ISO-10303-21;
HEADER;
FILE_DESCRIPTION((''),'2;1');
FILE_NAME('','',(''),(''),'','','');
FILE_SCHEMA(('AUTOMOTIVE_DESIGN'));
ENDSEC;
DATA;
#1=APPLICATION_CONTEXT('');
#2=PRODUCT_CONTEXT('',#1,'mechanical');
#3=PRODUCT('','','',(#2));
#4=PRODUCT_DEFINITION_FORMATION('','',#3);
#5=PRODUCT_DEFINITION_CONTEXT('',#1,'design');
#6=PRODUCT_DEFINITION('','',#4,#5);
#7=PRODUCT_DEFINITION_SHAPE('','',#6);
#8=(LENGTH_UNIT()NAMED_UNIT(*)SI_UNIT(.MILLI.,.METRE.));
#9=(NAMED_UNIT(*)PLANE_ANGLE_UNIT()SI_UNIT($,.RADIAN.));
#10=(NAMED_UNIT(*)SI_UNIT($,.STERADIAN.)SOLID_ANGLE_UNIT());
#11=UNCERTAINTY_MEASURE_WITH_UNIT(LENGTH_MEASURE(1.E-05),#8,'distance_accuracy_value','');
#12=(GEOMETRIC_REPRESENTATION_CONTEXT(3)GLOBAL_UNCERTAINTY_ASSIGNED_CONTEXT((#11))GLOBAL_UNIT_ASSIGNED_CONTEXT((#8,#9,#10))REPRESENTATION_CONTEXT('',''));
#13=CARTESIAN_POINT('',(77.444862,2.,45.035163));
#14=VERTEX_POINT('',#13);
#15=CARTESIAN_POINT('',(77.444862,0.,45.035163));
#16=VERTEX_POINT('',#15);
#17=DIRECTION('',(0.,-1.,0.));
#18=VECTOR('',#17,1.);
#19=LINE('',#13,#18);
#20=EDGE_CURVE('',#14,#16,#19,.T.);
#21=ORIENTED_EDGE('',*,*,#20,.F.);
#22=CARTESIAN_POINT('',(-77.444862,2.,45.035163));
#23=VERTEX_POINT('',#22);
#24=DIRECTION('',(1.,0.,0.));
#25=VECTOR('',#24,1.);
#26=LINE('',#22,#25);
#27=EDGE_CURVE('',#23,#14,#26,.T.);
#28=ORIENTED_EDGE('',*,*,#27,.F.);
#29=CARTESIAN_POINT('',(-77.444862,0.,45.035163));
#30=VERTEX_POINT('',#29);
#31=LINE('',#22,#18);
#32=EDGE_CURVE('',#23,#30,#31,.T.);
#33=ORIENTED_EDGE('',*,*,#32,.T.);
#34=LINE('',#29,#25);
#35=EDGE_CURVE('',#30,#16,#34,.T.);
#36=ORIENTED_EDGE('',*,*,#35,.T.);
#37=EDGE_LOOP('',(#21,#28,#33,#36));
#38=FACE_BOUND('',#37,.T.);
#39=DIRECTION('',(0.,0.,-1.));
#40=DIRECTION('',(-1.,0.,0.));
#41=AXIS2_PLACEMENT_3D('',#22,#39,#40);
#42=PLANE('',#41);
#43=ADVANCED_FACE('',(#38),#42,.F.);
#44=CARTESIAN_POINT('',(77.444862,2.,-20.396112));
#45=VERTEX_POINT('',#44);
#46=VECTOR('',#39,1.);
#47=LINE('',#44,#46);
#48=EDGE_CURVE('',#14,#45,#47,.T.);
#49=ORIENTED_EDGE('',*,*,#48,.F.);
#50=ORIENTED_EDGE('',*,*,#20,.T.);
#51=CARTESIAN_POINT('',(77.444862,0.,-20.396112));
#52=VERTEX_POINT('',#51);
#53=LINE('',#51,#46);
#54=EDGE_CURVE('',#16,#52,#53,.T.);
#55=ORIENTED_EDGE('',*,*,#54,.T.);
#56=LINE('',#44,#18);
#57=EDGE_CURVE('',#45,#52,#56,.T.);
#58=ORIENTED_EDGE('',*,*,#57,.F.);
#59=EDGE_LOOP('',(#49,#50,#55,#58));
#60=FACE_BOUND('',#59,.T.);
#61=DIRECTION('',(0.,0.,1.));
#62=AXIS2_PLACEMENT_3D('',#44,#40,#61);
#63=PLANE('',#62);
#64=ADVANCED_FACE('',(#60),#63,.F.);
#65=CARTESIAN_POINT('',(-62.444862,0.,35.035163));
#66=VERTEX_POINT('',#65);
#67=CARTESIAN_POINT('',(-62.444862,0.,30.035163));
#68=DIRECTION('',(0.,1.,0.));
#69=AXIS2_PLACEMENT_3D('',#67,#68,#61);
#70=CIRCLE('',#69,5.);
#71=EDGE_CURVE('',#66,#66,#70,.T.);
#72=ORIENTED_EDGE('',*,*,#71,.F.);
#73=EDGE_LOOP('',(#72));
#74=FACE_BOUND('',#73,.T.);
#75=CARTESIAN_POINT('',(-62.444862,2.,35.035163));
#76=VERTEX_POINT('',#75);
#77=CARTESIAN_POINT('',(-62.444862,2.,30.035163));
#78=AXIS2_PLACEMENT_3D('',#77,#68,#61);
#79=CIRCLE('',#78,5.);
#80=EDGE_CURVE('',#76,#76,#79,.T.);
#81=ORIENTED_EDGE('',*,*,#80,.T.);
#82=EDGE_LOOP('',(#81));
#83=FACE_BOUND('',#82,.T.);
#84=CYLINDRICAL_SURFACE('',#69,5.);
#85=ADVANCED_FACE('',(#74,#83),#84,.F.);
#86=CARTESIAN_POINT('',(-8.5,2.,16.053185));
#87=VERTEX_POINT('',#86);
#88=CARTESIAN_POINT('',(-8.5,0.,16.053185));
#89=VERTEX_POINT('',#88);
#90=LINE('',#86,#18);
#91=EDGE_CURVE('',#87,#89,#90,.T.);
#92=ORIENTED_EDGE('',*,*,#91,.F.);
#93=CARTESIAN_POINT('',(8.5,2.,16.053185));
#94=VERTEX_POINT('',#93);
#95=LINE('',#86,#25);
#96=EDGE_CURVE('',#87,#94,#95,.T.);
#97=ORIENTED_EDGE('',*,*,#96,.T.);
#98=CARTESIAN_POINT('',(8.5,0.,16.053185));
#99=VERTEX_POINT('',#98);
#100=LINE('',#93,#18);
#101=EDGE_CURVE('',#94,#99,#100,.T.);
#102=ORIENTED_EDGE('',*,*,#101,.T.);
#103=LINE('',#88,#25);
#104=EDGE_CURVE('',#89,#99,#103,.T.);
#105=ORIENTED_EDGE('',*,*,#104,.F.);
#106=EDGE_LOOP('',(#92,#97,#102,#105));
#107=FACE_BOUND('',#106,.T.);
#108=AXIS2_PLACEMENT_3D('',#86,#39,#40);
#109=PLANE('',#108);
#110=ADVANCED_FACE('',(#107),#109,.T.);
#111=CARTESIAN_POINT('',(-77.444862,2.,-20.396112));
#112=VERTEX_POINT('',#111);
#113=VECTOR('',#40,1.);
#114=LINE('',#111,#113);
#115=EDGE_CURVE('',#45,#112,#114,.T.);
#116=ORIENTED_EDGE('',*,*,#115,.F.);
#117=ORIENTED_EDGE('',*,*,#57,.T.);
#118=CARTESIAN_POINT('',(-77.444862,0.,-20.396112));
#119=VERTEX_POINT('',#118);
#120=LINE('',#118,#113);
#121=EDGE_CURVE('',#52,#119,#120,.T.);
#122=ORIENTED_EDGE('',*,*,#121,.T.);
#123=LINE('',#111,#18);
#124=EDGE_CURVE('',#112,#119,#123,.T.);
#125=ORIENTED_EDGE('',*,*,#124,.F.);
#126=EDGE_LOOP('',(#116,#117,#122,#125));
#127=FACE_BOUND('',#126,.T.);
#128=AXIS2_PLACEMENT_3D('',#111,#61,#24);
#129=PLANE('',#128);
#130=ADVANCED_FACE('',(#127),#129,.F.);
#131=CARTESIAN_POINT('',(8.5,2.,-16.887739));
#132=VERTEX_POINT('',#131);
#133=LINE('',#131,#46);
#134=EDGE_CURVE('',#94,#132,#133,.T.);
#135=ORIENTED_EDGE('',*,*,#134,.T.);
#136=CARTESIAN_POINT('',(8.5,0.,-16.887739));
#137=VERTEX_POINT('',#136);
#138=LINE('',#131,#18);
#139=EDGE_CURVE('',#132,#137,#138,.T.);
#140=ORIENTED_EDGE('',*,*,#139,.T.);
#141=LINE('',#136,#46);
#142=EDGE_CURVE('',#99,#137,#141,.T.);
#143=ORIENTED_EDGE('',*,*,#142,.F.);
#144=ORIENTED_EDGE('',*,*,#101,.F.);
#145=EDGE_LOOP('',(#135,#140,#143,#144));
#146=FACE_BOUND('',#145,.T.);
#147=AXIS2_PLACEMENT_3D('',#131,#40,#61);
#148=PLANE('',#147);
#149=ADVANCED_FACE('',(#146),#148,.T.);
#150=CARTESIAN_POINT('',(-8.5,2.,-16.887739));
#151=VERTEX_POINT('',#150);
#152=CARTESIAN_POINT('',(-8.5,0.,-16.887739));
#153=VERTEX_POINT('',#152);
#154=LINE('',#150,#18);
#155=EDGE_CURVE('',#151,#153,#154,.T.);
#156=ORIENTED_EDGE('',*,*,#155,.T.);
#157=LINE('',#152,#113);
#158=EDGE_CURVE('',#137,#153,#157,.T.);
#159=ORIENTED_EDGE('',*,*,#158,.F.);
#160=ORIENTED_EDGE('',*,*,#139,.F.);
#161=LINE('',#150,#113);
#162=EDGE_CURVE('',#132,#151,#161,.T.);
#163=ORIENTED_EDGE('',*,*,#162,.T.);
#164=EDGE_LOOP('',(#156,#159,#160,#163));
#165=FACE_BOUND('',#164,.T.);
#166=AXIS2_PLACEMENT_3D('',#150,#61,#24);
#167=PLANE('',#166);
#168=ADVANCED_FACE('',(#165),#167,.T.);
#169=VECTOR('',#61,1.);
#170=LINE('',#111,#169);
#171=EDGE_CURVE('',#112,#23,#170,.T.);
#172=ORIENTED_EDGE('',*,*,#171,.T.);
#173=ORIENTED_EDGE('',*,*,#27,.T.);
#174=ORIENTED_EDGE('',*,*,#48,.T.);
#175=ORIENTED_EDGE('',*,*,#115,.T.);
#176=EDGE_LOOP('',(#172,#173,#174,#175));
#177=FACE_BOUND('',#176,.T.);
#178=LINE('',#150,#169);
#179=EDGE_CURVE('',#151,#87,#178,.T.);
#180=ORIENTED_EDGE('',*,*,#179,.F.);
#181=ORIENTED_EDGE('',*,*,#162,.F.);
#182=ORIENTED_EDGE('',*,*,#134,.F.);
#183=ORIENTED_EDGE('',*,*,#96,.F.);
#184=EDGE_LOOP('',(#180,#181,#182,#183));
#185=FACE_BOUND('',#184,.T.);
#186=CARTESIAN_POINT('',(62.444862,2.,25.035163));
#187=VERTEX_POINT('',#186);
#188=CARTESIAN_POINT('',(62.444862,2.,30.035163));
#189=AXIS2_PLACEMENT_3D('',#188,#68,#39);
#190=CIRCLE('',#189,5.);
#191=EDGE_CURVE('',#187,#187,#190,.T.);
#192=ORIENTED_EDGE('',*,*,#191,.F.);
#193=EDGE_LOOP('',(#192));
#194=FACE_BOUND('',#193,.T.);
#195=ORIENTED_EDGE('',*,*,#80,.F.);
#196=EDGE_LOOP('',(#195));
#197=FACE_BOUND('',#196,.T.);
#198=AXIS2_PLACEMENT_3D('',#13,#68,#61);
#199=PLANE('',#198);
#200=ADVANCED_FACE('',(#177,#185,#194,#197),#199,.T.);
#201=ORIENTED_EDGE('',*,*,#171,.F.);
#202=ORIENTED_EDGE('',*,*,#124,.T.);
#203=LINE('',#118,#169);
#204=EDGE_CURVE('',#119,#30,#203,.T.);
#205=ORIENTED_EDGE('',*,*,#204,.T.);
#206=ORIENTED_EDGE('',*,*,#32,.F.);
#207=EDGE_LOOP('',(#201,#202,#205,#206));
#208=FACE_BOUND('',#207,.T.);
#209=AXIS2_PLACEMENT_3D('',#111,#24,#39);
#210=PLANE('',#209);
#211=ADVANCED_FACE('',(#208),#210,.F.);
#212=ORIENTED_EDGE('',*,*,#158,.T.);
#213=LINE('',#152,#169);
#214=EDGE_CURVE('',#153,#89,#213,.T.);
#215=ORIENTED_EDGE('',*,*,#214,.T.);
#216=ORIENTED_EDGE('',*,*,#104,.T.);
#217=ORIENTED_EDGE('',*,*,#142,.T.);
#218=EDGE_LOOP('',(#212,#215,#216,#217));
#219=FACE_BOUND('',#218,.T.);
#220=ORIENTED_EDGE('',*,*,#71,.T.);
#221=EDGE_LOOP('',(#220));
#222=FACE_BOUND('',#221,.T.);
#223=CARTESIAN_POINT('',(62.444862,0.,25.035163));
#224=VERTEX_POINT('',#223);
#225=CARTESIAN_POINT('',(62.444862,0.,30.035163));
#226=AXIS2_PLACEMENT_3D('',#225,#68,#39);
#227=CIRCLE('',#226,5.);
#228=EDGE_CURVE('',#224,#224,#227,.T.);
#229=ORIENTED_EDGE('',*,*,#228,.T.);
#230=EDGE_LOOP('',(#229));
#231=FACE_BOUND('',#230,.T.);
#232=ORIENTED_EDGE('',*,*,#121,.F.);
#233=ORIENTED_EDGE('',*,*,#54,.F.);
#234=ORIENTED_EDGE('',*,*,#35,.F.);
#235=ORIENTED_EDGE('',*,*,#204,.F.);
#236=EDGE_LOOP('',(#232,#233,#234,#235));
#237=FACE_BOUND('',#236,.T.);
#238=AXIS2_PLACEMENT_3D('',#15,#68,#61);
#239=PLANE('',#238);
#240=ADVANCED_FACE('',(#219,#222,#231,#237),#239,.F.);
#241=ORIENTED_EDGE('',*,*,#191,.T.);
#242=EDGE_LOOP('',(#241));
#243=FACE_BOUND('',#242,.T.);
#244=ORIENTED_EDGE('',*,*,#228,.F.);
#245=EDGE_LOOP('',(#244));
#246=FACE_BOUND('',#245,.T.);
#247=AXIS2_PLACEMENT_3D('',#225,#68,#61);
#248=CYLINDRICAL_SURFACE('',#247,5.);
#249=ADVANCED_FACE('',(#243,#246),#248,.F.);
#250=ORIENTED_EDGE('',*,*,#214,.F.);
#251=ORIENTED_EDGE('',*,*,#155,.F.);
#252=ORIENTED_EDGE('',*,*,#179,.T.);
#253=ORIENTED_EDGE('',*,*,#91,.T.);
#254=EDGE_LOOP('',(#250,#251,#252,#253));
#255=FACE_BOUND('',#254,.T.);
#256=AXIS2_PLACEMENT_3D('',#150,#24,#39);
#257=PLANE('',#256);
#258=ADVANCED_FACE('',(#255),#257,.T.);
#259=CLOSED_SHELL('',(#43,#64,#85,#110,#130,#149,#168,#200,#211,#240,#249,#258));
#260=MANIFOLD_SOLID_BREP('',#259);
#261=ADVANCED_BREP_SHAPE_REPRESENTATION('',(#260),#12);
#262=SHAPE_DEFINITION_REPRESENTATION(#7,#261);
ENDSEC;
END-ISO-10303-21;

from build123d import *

# Parameters (mm, degrees)
SKETCH_1_W          = 154.889723794
SKETCH_1_H          = 65.431275614
SKETCH_1_W_2        = 17
SKETCH_1_H_2        = 32.940924084
EXTRUDE_1_DEPTH     = 2
SKETCH_2_R          = 5
CUT_EXTRUDE_2_DEPTH = 90.609556274


with BuildPart() as part:
    # Эскиз1 → Вытянуть1 (new body)
    with BuildSketch(Plane(origin=(0, 0, 0), x_dir=(1, 0, 0), z_dir=(0, 1, 0))):
        with Locations((0, -12.319525582)):
            Rectangle(SKETCH_1_W, SKETCH_1_H)
        with Locations((0, 0.417277171)):
            Rectangle(SKETCH_1_W_2, SKETCH_1_H_2, mode=Mode.SUBTRACT)
    extrude(amount=EXTRUDE_1_DEPTH)

    # Эскиз2 → Вытянуть2 (cut, through all)
    with BuildSketch(Plane(origin=(0, 2, 0), x_dir=(1, 0, 0), z_dir=(0, 1, 0))):
        with Locations(Location((-62.444861897, -30.035163389, 0), (0, 0, 270))):
            Circle(SKETCH_2_R)
        with Locations(Location((62.444861897, -30.035163389, 0), (0, 0, 90))):
            Circle(SKETCH_2_R)
    extrude(amount=-CUT_EXTRUDE_2_DEPTH, mode=Mode.SUBTRACT)


solid = part.part
